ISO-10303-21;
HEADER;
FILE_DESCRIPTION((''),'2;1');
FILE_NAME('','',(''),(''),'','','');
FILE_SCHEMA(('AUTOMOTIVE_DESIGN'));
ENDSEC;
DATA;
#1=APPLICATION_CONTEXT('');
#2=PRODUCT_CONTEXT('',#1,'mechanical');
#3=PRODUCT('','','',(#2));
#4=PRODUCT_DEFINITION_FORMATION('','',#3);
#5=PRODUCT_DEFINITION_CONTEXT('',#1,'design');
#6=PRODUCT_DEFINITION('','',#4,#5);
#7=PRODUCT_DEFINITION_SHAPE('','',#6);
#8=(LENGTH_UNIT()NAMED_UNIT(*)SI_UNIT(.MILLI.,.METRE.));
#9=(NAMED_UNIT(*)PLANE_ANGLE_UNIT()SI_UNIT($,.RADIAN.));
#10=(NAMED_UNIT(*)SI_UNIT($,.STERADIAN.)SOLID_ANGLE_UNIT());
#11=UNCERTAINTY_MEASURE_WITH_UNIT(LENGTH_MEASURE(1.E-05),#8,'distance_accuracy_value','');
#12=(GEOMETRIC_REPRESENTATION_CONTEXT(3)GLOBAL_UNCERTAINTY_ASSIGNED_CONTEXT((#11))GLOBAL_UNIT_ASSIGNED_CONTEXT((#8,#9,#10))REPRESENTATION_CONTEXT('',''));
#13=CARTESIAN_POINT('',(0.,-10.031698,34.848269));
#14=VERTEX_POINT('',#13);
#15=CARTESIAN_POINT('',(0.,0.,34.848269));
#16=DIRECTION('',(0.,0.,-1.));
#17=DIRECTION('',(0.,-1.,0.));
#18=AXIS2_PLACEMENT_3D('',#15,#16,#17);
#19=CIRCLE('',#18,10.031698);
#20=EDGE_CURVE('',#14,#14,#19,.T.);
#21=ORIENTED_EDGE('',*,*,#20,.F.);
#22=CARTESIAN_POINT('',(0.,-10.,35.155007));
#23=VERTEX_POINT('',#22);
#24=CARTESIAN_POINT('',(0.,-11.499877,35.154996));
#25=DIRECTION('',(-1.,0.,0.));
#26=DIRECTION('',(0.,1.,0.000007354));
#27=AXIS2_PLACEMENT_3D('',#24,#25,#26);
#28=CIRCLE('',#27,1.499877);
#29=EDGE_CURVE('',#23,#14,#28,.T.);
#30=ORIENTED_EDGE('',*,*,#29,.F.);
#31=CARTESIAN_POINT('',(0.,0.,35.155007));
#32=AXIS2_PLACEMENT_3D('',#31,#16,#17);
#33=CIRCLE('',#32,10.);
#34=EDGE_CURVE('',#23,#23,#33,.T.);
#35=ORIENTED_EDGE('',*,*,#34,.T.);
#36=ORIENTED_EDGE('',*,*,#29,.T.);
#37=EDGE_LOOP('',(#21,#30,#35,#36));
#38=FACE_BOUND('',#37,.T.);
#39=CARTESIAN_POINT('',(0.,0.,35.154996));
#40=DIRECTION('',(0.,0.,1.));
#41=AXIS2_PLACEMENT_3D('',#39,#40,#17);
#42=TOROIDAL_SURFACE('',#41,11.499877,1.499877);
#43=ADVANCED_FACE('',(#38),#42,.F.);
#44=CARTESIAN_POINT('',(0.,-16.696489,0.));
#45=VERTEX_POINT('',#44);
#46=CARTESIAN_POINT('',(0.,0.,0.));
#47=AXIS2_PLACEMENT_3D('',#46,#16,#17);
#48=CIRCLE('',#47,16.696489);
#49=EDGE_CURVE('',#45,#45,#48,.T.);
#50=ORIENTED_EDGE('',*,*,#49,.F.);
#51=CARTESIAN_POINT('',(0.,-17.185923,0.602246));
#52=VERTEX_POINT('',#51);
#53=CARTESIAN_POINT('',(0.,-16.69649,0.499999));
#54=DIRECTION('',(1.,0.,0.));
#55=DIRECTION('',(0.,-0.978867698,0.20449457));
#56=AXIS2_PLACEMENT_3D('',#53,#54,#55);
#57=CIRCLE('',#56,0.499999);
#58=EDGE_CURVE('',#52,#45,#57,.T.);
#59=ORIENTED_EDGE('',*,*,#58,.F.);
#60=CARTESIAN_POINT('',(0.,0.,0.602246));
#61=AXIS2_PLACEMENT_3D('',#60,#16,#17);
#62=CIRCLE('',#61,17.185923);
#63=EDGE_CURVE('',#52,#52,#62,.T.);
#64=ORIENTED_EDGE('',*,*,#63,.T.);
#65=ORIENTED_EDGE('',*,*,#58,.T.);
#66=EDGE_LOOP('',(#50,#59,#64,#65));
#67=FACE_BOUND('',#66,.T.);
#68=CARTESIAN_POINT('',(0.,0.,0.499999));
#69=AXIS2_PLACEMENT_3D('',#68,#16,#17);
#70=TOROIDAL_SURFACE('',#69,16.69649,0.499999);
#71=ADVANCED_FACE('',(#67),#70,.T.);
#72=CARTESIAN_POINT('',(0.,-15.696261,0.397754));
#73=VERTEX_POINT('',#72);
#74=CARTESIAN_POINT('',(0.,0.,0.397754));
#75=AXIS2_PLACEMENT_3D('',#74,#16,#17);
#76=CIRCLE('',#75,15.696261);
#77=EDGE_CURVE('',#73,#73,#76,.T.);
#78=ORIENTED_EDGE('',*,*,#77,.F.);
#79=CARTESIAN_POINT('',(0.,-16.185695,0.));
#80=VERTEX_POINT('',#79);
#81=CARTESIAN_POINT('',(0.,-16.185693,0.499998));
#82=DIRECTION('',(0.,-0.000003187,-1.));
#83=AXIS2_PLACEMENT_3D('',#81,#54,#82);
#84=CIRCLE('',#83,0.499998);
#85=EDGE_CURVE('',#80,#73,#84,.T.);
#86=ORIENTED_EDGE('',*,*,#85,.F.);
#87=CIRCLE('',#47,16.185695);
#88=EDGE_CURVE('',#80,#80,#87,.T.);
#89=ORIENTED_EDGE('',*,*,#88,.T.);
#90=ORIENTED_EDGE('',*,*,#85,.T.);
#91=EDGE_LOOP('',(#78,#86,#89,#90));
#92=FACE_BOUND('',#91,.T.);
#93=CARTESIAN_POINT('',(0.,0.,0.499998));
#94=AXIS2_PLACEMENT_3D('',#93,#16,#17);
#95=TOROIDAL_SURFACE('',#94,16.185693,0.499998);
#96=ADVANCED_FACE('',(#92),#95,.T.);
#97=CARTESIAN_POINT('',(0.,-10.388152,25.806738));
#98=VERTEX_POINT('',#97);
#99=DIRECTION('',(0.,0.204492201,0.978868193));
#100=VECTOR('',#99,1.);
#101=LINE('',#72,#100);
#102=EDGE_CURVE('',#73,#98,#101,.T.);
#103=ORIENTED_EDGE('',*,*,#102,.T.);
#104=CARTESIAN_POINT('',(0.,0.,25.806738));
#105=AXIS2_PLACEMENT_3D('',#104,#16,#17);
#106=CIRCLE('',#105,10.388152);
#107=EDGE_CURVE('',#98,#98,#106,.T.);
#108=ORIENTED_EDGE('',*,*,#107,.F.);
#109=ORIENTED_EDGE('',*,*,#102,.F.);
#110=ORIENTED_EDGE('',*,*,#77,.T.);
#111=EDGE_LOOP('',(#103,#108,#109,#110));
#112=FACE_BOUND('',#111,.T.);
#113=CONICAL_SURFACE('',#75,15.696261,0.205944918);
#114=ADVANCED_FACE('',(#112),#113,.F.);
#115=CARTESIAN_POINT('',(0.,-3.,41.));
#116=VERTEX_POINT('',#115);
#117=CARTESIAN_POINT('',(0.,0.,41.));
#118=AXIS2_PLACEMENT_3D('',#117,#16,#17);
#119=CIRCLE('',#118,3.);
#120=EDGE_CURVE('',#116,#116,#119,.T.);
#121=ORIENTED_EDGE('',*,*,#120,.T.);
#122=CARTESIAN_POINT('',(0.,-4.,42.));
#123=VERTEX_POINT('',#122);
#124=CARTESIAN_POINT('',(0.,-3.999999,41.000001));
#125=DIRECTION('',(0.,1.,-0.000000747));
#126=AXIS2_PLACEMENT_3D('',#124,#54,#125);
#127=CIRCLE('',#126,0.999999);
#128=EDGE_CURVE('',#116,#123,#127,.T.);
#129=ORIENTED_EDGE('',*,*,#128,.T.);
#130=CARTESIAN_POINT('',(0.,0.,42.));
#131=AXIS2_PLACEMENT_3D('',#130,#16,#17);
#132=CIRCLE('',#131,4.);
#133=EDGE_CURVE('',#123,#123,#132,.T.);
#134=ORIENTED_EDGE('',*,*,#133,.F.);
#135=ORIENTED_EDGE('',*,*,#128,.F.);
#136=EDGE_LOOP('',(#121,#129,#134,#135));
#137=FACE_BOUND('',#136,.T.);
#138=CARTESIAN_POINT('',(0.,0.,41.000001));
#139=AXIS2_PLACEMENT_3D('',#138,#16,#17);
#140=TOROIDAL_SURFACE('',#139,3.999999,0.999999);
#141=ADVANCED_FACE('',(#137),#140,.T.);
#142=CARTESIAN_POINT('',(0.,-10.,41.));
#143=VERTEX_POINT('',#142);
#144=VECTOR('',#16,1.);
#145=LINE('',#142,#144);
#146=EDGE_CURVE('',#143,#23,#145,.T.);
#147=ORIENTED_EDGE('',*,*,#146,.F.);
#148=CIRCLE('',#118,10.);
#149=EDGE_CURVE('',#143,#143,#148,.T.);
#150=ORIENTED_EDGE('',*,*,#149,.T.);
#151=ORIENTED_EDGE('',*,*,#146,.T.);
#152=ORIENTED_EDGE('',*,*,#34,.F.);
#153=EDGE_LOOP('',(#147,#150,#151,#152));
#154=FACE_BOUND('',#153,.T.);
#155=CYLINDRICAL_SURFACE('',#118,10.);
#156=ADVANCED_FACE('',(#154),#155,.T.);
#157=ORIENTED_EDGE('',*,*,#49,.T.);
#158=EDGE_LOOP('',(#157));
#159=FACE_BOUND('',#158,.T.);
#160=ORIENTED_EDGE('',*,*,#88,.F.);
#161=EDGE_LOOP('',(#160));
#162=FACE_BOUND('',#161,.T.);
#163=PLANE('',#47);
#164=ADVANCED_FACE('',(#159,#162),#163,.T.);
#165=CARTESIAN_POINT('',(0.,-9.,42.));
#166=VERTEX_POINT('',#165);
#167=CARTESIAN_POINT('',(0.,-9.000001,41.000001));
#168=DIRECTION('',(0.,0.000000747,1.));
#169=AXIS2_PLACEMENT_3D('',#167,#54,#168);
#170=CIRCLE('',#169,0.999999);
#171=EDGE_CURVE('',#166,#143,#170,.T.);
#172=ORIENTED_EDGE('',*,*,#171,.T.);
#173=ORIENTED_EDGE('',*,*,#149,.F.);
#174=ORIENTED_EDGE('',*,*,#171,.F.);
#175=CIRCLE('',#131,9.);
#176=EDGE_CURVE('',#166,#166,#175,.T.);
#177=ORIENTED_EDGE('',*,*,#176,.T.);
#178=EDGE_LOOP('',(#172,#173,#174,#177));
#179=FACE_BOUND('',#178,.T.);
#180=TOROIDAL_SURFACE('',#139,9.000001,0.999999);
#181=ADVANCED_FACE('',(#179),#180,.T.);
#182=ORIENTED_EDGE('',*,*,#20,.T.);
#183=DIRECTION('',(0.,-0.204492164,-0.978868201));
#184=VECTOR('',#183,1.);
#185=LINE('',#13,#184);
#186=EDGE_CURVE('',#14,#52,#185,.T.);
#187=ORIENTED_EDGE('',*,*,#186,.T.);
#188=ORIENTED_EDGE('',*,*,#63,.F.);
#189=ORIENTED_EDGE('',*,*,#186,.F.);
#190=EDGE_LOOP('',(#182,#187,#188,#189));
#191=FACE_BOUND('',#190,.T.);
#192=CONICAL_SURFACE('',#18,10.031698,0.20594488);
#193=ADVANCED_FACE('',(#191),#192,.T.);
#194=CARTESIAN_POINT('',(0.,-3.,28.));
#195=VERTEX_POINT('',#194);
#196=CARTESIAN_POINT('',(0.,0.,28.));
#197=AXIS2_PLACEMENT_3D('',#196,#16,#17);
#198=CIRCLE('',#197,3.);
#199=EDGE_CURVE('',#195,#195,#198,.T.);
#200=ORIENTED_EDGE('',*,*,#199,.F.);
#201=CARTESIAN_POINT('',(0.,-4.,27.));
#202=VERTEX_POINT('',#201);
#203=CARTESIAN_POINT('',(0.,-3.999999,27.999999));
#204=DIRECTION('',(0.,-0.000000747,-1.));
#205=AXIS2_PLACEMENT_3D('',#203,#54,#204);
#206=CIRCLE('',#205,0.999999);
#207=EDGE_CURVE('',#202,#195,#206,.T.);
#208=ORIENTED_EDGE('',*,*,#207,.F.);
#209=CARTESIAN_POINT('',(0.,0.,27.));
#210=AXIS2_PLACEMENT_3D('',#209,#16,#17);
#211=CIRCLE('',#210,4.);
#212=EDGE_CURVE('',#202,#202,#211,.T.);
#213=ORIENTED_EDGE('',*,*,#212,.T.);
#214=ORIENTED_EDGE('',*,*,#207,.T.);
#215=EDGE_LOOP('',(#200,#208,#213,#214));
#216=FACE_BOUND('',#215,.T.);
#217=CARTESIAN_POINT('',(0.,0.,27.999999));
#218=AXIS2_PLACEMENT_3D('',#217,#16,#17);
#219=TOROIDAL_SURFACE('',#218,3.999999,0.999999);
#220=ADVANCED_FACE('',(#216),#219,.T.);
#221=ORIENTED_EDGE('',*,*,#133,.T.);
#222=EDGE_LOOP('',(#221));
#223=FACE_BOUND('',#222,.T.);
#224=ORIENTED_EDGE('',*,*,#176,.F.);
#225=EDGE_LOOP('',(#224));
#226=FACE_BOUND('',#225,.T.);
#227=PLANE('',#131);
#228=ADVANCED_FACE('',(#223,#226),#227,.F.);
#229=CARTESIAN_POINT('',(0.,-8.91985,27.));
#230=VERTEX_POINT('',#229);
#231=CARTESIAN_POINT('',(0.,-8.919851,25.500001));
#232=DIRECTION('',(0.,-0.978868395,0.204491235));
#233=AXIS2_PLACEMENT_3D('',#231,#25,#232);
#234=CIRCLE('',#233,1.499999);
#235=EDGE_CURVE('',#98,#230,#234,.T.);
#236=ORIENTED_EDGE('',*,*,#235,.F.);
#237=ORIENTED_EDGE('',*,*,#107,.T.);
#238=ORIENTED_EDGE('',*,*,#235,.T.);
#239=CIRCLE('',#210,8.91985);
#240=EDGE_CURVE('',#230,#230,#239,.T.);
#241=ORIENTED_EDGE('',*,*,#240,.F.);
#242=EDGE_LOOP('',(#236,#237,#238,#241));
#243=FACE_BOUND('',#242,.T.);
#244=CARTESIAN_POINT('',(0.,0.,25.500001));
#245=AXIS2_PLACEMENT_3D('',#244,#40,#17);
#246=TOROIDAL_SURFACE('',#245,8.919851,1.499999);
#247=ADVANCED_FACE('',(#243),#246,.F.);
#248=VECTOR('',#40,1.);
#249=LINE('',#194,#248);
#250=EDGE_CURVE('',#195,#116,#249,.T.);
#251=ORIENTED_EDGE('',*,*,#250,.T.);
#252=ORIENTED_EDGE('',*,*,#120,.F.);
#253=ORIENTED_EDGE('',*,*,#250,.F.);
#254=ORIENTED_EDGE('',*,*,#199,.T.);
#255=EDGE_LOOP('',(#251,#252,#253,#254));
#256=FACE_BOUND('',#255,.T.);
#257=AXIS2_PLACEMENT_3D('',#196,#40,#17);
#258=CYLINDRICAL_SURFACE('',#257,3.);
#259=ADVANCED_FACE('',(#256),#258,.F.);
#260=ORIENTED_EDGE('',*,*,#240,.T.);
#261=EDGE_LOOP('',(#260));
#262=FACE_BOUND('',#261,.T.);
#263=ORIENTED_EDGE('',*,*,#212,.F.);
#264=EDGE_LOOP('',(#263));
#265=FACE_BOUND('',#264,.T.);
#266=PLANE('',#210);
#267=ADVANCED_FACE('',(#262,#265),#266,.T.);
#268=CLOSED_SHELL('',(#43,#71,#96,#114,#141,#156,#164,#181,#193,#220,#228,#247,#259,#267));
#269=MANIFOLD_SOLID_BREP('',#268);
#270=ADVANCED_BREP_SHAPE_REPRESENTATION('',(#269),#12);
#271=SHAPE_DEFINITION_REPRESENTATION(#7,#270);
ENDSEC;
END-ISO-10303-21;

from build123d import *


with BuildPart() as f1:
    # F0 (on Right) → F1 (revolve)
    with BuildSketch(Plane.YZ):
        with BuildLine():
            ThreePointArc((-3, 41), (-3.292893, 41.707107), (-4, 42))
            Line((-4, 42), (-9, 42))
            ThreePointArc((-9, 42), (-9.707107, 41.707107), (-10, 41))
            Line((-10, 41), (-10, 35.155007))
            ThreePointArc((-10, 35.155007), (-10.007945, 35.000821), (-10.031698, 34.848269))
            Line((-10.031698, 34.848269), (-17.185923, 0.602246))
            ThreePointArc((-17.185923, 0.602246), (-17.084512, 0.184661), (-16.696489, 0))
            Line((-16.696489, 0), (-16.185695, 0))
            ThreePointArc((-16.185695, 0), (-15.870356, 0.111977), (-15.696261, 0.397754))
            Line((-15.696261, 0.397754), (-10.388152, 25.806738))
            ThreePointArc((-10.388152, 25.806738), (-9.865866, 26.664068), (-8.91985, 27))
            Line((-8.91985, 27), (-4, 27))
            ThreePointArc((-4, 27), (-3.292893, 27.292893), (-3, 28))
            Line((-3, 28), (-3, 41))
        make_face()
    revolve(axis=Axis((0, 0, 21), (0, 0, -1)))


solid = f1.part
